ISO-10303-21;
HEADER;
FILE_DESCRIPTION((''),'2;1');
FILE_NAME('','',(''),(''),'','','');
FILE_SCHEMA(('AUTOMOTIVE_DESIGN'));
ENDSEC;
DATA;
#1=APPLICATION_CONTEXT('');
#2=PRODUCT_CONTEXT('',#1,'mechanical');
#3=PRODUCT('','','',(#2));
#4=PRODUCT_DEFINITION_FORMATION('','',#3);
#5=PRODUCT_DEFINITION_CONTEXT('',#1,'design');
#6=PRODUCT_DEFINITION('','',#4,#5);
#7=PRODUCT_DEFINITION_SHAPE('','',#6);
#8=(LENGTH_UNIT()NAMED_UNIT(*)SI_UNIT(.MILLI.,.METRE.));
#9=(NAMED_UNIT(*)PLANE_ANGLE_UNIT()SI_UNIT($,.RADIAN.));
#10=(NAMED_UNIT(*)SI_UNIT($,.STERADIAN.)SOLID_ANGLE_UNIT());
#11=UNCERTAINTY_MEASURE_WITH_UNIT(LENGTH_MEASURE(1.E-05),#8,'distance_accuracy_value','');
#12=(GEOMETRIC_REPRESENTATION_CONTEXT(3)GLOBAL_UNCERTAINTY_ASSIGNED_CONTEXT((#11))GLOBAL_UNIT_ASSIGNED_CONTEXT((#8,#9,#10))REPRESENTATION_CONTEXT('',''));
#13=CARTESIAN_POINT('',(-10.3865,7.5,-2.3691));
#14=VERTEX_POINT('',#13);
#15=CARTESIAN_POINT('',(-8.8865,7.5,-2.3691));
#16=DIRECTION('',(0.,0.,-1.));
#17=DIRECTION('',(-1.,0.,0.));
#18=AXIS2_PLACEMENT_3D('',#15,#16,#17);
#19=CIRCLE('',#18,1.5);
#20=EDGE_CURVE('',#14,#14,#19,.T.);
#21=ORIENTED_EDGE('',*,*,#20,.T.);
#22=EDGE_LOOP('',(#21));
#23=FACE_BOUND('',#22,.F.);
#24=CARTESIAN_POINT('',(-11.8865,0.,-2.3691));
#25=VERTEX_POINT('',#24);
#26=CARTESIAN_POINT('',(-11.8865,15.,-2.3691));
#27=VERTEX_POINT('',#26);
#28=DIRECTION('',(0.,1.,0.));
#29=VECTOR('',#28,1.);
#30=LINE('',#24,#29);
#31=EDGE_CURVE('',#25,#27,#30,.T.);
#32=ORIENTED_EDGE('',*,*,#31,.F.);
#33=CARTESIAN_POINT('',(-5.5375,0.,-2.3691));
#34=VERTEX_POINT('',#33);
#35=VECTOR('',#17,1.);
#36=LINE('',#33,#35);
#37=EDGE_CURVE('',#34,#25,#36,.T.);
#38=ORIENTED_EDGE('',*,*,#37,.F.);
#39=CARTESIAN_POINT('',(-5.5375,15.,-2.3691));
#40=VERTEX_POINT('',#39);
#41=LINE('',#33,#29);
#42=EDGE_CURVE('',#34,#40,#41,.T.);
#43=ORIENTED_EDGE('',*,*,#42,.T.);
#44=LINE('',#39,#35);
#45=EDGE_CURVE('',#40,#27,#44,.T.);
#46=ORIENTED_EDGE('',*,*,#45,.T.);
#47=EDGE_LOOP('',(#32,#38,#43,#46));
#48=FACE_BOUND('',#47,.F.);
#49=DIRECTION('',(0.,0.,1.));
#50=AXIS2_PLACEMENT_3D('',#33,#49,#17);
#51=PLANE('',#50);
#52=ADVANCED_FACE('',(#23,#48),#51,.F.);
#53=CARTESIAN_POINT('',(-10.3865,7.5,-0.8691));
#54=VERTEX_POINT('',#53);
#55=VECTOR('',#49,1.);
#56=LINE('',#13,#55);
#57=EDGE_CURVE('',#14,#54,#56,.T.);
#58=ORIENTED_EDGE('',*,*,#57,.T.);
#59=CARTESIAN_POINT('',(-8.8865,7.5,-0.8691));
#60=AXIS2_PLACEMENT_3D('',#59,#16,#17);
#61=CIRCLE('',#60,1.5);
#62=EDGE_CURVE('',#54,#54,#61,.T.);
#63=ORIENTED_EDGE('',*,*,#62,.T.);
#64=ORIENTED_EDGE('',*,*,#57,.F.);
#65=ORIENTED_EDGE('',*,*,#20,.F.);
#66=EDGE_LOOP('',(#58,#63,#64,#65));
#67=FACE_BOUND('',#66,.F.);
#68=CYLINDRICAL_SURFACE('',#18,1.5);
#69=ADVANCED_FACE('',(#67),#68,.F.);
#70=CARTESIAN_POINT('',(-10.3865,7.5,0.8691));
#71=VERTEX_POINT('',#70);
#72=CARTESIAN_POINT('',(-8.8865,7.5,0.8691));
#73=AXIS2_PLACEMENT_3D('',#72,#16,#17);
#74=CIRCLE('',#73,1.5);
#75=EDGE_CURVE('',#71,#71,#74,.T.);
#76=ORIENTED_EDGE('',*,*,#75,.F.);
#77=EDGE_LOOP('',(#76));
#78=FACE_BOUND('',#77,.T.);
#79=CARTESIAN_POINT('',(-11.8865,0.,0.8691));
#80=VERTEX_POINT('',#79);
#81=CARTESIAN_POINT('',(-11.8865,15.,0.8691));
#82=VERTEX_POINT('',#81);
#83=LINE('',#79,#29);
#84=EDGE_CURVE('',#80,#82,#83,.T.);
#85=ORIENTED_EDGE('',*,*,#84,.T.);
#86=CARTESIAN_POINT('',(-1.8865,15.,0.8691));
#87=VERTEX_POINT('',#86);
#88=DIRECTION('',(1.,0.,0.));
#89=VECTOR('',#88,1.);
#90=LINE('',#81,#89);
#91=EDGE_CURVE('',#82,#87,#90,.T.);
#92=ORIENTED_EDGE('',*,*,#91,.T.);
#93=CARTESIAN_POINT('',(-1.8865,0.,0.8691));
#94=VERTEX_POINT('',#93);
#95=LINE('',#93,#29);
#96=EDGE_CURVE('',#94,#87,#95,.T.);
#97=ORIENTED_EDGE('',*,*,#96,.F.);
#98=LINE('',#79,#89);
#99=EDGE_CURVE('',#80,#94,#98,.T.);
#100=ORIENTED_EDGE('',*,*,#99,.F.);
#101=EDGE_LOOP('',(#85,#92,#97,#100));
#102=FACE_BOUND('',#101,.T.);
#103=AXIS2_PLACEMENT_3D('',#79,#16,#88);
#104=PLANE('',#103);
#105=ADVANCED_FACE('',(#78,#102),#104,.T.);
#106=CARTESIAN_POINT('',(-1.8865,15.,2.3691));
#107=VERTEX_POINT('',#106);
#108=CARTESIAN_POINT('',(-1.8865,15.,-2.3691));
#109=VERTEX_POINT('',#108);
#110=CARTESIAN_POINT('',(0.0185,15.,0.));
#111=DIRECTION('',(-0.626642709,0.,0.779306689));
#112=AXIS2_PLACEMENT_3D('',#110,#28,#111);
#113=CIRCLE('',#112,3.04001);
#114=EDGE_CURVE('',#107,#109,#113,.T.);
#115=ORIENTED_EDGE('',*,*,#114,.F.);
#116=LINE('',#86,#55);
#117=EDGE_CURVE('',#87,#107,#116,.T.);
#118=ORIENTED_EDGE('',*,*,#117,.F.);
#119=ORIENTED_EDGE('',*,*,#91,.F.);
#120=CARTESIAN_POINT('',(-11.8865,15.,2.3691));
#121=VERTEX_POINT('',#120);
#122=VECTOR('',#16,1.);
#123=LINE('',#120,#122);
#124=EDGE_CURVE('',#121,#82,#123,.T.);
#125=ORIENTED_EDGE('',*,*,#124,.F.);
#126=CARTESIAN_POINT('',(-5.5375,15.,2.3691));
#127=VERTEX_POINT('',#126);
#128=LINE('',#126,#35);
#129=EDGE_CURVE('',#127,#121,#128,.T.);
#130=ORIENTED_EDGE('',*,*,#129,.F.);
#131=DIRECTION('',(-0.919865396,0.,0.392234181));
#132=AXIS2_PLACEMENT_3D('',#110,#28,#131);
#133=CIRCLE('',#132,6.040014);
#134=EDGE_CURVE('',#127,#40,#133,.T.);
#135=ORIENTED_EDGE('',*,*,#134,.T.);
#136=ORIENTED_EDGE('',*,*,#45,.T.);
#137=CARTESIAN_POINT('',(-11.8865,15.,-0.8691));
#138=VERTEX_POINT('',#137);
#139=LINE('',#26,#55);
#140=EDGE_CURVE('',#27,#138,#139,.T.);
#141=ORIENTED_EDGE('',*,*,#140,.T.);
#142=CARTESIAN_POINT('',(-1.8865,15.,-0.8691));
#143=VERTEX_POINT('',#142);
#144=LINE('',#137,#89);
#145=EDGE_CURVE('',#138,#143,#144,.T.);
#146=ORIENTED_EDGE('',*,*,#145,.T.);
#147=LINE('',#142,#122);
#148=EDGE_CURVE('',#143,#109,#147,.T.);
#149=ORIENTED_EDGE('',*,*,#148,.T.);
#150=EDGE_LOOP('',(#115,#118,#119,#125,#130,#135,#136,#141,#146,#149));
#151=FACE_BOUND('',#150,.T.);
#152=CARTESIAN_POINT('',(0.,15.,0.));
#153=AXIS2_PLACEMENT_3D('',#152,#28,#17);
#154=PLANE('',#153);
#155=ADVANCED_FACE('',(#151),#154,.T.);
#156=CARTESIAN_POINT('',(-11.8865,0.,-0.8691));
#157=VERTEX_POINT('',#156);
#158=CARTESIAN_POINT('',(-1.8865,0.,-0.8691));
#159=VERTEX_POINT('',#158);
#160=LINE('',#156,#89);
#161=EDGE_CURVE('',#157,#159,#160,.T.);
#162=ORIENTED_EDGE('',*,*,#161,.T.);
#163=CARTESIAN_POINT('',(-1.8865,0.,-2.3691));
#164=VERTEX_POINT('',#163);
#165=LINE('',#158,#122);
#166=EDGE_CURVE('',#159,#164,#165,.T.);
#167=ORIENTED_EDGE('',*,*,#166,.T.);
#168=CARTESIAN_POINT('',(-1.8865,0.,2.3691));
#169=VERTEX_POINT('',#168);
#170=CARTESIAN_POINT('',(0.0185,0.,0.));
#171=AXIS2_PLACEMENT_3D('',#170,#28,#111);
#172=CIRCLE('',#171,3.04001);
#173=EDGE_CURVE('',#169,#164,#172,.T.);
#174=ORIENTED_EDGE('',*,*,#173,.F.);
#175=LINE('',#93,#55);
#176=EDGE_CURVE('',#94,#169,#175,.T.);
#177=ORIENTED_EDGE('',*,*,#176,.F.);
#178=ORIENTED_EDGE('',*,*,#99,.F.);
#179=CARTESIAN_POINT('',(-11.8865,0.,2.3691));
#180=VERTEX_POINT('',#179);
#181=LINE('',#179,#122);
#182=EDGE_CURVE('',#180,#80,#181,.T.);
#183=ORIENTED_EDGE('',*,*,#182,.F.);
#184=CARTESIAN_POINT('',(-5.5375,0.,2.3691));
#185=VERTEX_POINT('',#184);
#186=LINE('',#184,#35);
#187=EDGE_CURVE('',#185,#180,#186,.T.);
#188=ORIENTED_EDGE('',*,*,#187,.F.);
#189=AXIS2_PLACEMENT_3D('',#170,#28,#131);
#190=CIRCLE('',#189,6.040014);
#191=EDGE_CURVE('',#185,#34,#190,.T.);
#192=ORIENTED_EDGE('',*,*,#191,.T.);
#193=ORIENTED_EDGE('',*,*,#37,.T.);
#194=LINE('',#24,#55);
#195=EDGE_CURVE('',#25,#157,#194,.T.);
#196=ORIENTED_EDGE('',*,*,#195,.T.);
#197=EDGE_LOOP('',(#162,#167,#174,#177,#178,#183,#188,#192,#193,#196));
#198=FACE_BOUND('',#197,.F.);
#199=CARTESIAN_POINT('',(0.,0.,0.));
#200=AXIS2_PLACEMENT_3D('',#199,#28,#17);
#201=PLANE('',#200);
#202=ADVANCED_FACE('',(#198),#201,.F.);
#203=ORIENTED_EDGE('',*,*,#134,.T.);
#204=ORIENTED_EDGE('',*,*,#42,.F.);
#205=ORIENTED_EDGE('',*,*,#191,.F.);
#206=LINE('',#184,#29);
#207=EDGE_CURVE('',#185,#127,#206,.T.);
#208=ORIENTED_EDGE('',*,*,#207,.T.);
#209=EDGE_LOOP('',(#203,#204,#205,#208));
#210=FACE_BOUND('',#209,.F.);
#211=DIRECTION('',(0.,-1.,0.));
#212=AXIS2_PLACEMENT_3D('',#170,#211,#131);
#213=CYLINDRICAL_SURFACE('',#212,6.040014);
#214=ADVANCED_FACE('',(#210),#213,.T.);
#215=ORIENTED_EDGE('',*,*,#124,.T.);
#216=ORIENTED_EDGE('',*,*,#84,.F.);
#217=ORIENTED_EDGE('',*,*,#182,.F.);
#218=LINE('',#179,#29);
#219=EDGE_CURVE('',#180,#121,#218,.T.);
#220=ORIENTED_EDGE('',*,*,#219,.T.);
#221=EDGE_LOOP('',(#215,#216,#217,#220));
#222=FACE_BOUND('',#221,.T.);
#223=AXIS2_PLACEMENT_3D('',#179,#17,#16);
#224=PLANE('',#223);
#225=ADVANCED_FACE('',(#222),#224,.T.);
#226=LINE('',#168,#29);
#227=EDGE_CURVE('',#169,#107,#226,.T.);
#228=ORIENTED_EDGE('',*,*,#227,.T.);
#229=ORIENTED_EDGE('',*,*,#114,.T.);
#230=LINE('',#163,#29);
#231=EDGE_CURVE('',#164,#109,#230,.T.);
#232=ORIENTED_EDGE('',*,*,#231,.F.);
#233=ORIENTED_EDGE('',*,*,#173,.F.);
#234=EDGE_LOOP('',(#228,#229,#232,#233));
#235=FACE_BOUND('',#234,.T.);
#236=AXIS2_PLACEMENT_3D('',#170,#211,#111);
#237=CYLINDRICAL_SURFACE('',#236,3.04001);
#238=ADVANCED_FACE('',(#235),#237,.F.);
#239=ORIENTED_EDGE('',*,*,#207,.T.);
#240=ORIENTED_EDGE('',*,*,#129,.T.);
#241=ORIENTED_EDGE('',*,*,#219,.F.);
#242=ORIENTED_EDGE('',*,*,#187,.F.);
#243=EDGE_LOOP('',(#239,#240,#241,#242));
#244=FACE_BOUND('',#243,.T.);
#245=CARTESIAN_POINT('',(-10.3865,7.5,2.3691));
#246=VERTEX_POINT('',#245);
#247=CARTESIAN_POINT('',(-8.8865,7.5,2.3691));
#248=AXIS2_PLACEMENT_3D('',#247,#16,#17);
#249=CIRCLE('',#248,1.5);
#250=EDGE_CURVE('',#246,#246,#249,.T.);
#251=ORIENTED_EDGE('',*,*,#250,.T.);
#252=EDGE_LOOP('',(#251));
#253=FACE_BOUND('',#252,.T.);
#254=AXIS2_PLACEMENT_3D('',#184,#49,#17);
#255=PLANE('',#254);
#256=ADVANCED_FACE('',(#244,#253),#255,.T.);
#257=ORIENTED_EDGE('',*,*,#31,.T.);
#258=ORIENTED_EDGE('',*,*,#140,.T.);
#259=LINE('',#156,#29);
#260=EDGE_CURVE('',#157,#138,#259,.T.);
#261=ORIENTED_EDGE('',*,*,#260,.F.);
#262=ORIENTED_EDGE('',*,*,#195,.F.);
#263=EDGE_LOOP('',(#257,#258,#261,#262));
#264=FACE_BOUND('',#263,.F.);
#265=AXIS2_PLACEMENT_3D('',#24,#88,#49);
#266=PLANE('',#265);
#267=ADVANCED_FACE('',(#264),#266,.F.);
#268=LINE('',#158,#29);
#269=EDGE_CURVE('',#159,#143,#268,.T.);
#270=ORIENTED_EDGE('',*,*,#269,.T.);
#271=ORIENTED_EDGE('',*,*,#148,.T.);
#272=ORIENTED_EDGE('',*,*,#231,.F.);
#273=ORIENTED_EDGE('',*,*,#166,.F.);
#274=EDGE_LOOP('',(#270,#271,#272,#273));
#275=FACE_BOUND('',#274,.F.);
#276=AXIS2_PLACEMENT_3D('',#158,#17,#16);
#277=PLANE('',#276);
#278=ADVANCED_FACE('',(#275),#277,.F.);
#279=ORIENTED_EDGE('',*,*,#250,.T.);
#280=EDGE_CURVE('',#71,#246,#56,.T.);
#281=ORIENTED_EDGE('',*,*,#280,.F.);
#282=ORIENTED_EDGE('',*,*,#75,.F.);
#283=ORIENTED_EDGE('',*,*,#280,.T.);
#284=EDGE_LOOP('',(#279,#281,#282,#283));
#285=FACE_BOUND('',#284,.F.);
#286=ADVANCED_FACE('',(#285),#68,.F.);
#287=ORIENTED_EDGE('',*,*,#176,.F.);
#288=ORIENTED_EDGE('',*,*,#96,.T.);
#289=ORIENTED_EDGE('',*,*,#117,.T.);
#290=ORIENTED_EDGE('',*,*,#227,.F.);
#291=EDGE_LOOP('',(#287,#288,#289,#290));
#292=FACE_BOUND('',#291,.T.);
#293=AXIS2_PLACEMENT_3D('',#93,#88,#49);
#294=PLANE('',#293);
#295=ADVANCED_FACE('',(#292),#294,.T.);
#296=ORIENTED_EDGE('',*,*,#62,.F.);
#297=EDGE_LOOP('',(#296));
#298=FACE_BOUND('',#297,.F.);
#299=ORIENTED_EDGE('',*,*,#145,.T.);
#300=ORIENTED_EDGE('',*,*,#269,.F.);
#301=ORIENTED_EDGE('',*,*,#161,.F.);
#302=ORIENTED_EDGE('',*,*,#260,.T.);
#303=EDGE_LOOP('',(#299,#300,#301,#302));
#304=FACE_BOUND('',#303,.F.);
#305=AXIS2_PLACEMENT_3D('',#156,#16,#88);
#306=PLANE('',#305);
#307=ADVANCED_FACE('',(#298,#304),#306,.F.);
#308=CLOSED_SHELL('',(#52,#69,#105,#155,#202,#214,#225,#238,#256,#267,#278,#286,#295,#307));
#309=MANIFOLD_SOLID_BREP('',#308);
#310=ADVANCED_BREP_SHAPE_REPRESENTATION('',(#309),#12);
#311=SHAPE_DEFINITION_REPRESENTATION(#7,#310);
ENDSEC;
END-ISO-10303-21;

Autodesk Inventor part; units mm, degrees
ref_plane "YZ Plane" through (0, 0, 0) normal (1, 0, 0) x (0, 1, 0)
ref_plane "XZ Plane" through (0, 0, 0) normal (0, 1, 0) x (-1, 0, 0)
ref_plane "XY Plane" through (0, 0, 0) normal (0, 0, 1) x (1, 0, 0)
sketch "Sketch1" plane through (0, 0, 0) normal (0, 1, 0) x (-1, 0, 0)
  arc A0 (5.5375, 2.3691) -> (5.5375, -2.3691) centre (-0.0185, 0) ccw
  arc A1 (1.8865, 2.3691) -> (1.8865, -2.3691) centre (-0.0185, 0) ccw
  line L0 (5.5375, -2.3691) -> (11.8865, -2.3691)
  line L1 (11.8865, -2.3691) -> (11.8865, -0.8691)
  line L2 (11.8865, -0.8691) -> (1.8865, -0.8691)
  line L3 (1.8865, -0.8691) -> (1.8865, -2.3691)
  line L4 (5.5375, 2.3691) -> (11.8865, 2.3691)
  line L5 (11.8865, 2.3691) -> (11.8865, 0.8691)
  line L6 (11.8865, 0.8691) -> (1.8865, 0.8691)
  line L7 (1.8865, 0.8691) -> (1.8865, 2.3691)
  point P0 (11.8865, -1.6191)
  point P1 (11.8865, 1.6191)
  dimension "d146" = 6.08
  dimension "d147" = 3
  dimension "d151" = 1.5
  dimension "d152" = 10
  dimension "d158" = 10
  dimension "d159" = 1.7382
  dimension "d160" = 3.2382
  dimension "d161" = 6.349
  dimension "d162" = 6.349
extrude "Extrusion3" add sketch "Sketch1" along normal blind 15
sketch "Sketch3" plane through (-5.5375, 0, -2.3691) normal (0, 0, -1) x (-1, 0, 0)
  circle A0 centre (3.349, 7.5) radius 1.5
  line L0 (0, 15) -> (6.349, 15) projected
  line L1 (0, 0) -> (6.349, 0) projected
  line L2 (6.349, 0) -> (6.349, 15) projected
  point P0 (-5.5375, 0)
  point P1 (6.349, 7.5)
  dimension "d165" = 3
  dimension "d169" = 3
extrude "Extrusion5" cut sketch "Sketch3" against normal through all
properties part number "DShaftClamp"
